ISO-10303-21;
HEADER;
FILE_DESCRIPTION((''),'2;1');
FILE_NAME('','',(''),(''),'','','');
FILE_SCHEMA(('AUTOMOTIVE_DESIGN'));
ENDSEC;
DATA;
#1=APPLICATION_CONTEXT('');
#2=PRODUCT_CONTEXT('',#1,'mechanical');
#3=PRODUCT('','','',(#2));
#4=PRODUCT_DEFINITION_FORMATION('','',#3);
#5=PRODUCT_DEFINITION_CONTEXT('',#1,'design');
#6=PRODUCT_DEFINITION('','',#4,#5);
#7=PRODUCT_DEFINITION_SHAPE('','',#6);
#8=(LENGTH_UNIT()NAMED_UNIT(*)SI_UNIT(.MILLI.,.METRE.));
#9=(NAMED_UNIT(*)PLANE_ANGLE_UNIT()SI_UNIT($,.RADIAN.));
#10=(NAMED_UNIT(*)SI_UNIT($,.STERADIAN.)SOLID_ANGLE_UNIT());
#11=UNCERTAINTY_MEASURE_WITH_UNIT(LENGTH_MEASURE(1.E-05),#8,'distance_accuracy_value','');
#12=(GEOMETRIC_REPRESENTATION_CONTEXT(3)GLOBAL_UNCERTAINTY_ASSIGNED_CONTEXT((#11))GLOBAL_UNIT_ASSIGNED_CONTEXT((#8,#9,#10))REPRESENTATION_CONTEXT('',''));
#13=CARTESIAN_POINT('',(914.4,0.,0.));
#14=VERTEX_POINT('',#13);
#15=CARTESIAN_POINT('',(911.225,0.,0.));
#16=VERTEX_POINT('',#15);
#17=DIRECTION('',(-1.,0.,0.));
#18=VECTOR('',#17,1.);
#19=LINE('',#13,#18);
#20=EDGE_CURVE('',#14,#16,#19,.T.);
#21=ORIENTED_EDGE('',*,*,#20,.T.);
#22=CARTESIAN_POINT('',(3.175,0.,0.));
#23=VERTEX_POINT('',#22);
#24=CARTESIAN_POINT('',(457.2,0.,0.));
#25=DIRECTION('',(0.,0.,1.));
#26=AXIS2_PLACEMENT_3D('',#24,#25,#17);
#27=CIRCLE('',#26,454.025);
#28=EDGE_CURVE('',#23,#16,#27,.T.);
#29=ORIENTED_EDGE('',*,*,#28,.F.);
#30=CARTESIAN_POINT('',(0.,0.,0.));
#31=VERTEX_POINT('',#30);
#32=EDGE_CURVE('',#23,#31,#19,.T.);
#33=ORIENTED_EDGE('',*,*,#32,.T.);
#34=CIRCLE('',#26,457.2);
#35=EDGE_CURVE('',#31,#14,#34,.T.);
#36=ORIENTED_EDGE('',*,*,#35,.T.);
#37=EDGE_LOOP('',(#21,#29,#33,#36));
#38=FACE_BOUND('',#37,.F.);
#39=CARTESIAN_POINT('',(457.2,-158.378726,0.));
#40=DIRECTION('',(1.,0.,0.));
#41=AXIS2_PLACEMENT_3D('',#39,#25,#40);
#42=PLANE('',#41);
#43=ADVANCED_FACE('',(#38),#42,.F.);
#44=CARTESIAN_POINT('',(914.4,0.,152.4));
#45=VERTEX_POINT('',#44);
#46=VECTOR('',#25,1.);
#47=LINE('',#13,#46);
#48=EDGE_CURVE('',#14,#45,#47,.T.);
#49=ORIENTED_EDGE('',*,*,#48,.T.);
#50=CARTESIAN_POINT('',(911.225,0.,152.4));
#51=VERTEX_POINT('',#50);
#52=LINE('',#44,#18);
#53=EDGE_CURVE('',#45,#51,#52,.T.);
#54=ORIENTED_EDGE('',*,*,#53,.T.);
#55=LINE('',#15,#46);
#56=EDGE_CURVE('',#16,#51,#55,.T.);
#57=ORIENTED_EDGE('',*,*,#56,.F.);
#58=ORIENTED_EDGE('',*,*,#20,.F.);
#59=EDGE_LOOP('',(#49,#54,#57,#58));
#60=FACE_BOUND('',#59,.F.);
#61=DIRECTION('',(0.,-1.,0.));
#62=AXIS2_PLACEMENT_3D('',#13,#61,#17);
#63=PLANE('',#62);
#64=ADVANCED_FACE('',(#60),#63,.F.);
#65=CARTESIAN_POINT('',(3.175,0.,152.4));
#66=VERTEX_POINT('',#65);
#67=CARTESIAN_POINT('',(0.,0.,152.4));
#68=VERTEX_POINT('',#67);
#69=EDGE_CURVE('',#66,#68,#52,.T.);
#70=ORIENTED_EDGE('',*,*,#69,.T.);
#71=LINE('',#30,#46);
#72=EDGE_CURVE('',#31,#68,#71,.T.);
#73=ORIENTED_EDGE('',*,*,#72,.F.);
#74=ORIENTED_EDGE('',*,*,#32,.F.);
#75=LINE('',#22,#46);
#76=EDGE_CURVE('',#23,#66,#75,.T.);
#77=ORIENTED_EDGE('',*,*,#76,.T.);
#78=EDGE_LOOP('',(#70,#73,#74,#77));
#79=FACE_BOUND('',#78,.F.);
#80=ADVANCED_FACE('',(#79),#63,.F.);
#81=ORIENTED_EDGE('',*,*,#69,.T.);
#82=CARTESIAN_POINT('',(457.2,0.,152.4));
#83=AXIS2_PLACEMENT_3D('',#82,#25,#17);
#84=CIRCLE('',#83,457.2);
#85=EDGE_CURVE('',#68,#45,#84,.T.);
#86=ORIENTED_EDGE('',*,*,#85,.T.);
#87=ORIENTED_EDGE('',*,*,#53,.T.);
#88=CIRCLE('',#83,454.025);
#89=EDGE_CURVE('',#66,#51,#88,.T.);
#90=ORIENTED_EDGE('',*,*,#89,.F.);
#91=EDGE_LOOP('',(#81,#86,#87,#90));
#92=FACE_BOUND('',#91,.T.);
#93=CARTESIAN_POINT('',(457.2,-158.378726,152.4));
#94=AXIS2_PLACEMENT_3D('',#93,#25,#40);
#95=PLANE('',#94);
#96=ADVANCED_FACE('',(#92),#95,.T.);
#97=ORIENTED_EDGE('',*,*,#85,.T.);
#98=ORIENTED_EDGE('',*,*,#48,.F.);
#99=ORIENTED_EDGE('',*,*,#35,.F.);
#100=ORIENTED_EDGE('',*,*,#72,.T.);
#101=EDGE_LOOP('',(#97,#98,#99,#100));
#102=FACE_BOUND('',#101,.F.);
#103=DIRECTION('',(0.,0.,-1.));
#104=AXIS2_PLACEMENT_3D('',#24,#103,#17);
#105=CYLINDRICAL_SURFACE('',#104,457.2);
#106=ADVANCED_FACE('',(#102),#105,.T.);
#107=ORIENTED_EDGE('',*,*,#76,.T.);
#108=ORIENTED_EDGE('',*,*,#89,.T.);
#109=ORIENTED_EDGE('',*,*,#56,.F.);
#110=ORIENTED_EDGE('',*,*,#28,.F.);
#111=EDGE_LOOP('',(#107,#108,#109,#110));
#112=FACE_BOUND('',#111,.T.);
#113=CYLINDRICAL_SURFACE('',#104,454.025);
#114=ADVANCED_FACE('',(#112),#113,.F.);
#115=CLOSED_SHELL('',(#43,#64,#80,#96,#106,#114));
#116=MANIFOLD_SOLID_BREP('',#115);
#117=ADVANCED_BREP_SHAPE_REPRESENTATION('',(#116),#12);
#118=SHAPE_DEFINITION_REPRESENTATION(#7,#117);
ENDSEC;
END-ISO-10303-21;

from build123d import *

# Parameters (mm, degrees)
F1_DEPTH = 152.4
F2_T     = -3.175


with BuildPart() as f1:
    # F0 (on Top) → F1 (new body)
    with BuildSketch(Plane.XY):
        with BuildLine():
            Line((914.4, 0), (0, 0))
            ThreePointArc((0, 0), (457.2, -457.2), (914.4, 0))
        make_face()
    extrude(amount=F1_DEPTH)

    # F2
    f2_openings = [f1.faces().sort_by_distance(p)[0] for p in [
        (457.2, -194.041707, 152.4),
        (457.2, 0, 76.2),
        (457.2, -194.041707, 0),
    ]]
    offset(amount=F2_T, openings=f2_openings)


solid = f1.part
